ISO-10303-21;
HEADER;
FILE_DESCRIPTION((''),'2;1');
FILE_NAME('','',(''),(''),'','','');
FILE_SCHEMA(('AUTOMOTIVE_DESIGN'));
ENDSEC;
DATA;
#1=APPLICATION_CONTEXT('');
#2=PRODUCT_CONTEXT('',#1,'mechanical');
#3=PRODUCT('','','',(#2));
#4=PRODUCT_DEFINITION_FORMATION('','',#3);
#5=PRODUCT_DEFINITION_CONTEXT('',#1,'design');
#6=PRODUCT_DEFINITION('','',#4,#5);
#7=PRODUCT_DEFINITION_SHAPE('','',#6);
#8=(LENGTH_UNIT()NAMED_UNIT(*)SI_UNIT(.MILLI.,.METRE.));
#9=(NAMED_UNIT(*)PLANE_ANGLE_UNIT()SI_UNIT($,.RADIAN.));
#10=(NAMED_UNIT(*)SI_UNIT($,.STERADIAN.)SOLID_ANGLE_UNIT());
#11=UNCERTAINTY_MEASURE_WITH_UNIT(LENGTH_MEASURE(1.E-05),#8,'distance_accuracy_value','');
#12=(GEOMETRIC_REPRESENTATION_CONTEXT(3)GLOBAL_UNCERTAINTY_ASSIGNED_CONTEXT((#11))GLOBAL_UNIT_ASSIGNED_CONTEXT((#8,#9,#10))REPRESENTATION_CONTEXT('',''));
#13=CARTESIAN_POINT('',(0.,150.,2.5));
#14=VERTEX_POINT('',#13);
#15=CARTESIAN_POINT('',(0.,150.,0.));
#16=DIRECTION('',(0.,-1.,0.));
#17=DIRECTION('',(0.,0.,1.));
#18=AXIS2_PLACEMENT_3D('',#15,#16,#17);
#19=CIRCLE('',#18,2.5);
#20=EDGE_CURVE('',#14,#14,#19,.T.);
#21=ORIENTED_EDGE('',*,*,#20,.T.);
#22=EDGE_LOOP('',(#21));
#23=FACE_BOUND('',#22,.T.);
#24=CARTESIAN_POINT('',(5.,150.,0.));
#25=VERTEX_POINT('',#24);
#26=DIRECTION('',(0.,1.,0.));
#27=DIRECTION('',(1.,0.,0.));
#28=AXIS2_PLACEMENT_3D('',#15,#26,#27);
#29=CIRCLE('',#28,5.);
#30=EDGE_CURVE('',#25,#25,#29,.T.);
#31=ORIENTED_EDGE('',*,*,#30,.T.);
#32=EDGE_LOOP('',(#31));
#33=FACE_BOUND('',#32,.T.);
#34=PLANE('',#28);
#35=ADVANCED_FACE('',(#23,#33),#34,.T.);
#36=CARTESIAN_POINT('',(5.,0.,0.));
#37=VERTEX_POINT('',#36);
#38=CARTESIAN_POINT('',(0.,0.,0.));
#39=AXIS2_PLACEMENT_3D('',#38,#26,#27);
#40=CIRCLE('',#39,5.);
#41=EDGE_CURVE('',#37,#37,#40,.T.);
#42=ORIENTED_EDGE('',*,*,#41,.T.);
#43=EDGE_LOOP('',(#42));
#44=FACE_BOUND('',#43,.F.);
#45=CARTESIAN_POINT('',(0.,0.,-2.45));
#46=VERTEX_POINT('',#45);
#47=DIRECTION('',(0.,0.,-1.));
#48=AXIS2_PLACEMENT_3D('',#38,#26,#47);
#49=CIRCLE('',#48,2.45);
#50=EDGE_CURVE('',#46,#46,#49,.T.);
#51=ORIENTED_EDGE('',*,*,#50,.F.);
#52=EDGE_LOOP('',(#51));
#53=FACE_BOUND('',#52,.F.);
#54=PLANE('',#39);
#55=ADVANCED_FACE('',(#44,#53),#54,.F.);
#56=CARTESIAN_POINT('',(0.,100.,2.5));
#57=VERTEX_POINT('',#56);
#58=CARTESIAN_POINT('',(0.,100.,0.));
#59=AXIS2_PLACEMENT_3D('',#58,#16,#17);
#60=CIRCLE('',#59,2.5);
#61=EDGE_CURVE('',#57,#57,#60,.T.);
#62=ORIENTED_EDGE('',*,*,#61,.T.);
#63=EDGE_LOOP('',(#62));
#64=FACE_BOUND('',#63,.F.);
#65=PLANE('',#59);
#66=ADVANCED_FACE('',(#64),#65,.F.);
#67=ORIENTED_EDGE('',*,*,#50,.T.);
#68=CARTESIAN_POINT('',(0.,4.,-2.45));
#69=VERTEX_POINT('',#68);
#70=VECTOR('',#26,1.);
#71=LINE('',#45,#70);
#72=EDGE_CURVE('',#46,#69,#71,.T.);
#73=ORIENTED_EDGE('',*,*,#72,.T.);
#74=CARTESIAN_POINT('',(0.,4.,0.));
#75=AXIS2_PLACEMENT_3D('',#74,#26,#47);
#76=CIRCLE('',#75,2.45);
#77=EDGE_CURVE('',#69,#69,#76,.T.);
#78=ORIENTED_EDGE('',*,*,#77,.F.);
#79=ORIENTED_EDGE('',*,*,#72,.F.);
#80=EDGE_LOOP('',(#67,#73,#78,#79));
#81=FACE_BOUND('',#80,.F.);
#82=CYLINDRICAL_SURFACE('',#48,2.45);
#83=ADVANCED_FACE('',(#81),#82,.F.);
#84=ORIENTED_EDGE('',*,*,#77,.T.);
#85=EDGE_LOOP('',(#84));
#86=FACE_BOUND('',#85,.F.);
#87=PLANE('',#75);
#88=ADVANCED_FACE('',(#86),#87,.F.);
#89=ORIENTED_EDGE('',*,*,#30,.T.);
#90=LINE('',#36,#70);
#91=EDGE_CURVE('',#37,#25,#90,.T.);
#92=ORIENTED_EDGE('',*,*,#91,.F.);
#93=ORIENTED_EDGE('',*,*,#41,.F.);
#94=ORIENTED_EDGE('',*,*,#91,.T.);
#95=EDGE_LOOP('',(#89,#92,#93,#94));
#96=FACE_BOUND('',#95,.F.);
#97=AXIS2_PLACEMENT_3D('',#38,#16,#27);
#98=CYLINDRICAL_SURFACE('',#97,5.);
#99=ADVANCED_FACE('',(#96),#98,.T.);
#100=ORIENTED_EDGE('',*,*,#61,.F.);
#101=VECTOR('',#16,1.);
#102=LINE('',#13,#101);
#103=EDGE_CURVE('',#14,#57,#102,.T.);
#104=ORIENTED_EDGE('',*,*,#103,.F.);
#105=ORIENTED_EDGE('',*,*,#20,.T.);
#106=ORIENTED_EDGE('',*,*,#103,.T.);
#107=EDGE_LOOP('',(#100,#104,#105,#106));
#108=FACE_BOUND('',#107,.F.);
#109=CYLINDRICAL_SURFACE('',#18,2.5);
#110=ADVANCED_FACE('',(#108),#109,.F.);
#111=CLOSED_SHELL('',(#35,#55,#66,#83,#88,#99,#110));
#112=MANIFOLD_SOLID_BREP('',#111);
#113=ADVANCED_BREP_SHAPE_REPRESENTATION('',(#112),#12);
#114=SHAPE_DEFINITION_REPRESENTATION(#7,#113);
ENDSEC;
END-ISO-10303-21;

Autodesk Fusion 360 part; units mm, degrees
sketch "Sketch1" plane through (0, 0, 0) normal (0, 1, 0) x (1, 0, 0)
sketch "Sketch2" plane through (0, 0, 0) normal (0, 1, 0) x (1, 0, 0)
  circle A0 centre (0, 0) radius 5
  dimension "d21" = 10
extrude "Extrude3" add sketch "Sketch2" along normal blind 150
hole "Hole6" at (0, 150, 0) direction (0, -1, 0) diameter 5 depth 50 tip angle 180
hole "Hole7" at (0, 0, 0) direction (0, 1, 0) diameter 4.9 depth 4 tip angle 180
